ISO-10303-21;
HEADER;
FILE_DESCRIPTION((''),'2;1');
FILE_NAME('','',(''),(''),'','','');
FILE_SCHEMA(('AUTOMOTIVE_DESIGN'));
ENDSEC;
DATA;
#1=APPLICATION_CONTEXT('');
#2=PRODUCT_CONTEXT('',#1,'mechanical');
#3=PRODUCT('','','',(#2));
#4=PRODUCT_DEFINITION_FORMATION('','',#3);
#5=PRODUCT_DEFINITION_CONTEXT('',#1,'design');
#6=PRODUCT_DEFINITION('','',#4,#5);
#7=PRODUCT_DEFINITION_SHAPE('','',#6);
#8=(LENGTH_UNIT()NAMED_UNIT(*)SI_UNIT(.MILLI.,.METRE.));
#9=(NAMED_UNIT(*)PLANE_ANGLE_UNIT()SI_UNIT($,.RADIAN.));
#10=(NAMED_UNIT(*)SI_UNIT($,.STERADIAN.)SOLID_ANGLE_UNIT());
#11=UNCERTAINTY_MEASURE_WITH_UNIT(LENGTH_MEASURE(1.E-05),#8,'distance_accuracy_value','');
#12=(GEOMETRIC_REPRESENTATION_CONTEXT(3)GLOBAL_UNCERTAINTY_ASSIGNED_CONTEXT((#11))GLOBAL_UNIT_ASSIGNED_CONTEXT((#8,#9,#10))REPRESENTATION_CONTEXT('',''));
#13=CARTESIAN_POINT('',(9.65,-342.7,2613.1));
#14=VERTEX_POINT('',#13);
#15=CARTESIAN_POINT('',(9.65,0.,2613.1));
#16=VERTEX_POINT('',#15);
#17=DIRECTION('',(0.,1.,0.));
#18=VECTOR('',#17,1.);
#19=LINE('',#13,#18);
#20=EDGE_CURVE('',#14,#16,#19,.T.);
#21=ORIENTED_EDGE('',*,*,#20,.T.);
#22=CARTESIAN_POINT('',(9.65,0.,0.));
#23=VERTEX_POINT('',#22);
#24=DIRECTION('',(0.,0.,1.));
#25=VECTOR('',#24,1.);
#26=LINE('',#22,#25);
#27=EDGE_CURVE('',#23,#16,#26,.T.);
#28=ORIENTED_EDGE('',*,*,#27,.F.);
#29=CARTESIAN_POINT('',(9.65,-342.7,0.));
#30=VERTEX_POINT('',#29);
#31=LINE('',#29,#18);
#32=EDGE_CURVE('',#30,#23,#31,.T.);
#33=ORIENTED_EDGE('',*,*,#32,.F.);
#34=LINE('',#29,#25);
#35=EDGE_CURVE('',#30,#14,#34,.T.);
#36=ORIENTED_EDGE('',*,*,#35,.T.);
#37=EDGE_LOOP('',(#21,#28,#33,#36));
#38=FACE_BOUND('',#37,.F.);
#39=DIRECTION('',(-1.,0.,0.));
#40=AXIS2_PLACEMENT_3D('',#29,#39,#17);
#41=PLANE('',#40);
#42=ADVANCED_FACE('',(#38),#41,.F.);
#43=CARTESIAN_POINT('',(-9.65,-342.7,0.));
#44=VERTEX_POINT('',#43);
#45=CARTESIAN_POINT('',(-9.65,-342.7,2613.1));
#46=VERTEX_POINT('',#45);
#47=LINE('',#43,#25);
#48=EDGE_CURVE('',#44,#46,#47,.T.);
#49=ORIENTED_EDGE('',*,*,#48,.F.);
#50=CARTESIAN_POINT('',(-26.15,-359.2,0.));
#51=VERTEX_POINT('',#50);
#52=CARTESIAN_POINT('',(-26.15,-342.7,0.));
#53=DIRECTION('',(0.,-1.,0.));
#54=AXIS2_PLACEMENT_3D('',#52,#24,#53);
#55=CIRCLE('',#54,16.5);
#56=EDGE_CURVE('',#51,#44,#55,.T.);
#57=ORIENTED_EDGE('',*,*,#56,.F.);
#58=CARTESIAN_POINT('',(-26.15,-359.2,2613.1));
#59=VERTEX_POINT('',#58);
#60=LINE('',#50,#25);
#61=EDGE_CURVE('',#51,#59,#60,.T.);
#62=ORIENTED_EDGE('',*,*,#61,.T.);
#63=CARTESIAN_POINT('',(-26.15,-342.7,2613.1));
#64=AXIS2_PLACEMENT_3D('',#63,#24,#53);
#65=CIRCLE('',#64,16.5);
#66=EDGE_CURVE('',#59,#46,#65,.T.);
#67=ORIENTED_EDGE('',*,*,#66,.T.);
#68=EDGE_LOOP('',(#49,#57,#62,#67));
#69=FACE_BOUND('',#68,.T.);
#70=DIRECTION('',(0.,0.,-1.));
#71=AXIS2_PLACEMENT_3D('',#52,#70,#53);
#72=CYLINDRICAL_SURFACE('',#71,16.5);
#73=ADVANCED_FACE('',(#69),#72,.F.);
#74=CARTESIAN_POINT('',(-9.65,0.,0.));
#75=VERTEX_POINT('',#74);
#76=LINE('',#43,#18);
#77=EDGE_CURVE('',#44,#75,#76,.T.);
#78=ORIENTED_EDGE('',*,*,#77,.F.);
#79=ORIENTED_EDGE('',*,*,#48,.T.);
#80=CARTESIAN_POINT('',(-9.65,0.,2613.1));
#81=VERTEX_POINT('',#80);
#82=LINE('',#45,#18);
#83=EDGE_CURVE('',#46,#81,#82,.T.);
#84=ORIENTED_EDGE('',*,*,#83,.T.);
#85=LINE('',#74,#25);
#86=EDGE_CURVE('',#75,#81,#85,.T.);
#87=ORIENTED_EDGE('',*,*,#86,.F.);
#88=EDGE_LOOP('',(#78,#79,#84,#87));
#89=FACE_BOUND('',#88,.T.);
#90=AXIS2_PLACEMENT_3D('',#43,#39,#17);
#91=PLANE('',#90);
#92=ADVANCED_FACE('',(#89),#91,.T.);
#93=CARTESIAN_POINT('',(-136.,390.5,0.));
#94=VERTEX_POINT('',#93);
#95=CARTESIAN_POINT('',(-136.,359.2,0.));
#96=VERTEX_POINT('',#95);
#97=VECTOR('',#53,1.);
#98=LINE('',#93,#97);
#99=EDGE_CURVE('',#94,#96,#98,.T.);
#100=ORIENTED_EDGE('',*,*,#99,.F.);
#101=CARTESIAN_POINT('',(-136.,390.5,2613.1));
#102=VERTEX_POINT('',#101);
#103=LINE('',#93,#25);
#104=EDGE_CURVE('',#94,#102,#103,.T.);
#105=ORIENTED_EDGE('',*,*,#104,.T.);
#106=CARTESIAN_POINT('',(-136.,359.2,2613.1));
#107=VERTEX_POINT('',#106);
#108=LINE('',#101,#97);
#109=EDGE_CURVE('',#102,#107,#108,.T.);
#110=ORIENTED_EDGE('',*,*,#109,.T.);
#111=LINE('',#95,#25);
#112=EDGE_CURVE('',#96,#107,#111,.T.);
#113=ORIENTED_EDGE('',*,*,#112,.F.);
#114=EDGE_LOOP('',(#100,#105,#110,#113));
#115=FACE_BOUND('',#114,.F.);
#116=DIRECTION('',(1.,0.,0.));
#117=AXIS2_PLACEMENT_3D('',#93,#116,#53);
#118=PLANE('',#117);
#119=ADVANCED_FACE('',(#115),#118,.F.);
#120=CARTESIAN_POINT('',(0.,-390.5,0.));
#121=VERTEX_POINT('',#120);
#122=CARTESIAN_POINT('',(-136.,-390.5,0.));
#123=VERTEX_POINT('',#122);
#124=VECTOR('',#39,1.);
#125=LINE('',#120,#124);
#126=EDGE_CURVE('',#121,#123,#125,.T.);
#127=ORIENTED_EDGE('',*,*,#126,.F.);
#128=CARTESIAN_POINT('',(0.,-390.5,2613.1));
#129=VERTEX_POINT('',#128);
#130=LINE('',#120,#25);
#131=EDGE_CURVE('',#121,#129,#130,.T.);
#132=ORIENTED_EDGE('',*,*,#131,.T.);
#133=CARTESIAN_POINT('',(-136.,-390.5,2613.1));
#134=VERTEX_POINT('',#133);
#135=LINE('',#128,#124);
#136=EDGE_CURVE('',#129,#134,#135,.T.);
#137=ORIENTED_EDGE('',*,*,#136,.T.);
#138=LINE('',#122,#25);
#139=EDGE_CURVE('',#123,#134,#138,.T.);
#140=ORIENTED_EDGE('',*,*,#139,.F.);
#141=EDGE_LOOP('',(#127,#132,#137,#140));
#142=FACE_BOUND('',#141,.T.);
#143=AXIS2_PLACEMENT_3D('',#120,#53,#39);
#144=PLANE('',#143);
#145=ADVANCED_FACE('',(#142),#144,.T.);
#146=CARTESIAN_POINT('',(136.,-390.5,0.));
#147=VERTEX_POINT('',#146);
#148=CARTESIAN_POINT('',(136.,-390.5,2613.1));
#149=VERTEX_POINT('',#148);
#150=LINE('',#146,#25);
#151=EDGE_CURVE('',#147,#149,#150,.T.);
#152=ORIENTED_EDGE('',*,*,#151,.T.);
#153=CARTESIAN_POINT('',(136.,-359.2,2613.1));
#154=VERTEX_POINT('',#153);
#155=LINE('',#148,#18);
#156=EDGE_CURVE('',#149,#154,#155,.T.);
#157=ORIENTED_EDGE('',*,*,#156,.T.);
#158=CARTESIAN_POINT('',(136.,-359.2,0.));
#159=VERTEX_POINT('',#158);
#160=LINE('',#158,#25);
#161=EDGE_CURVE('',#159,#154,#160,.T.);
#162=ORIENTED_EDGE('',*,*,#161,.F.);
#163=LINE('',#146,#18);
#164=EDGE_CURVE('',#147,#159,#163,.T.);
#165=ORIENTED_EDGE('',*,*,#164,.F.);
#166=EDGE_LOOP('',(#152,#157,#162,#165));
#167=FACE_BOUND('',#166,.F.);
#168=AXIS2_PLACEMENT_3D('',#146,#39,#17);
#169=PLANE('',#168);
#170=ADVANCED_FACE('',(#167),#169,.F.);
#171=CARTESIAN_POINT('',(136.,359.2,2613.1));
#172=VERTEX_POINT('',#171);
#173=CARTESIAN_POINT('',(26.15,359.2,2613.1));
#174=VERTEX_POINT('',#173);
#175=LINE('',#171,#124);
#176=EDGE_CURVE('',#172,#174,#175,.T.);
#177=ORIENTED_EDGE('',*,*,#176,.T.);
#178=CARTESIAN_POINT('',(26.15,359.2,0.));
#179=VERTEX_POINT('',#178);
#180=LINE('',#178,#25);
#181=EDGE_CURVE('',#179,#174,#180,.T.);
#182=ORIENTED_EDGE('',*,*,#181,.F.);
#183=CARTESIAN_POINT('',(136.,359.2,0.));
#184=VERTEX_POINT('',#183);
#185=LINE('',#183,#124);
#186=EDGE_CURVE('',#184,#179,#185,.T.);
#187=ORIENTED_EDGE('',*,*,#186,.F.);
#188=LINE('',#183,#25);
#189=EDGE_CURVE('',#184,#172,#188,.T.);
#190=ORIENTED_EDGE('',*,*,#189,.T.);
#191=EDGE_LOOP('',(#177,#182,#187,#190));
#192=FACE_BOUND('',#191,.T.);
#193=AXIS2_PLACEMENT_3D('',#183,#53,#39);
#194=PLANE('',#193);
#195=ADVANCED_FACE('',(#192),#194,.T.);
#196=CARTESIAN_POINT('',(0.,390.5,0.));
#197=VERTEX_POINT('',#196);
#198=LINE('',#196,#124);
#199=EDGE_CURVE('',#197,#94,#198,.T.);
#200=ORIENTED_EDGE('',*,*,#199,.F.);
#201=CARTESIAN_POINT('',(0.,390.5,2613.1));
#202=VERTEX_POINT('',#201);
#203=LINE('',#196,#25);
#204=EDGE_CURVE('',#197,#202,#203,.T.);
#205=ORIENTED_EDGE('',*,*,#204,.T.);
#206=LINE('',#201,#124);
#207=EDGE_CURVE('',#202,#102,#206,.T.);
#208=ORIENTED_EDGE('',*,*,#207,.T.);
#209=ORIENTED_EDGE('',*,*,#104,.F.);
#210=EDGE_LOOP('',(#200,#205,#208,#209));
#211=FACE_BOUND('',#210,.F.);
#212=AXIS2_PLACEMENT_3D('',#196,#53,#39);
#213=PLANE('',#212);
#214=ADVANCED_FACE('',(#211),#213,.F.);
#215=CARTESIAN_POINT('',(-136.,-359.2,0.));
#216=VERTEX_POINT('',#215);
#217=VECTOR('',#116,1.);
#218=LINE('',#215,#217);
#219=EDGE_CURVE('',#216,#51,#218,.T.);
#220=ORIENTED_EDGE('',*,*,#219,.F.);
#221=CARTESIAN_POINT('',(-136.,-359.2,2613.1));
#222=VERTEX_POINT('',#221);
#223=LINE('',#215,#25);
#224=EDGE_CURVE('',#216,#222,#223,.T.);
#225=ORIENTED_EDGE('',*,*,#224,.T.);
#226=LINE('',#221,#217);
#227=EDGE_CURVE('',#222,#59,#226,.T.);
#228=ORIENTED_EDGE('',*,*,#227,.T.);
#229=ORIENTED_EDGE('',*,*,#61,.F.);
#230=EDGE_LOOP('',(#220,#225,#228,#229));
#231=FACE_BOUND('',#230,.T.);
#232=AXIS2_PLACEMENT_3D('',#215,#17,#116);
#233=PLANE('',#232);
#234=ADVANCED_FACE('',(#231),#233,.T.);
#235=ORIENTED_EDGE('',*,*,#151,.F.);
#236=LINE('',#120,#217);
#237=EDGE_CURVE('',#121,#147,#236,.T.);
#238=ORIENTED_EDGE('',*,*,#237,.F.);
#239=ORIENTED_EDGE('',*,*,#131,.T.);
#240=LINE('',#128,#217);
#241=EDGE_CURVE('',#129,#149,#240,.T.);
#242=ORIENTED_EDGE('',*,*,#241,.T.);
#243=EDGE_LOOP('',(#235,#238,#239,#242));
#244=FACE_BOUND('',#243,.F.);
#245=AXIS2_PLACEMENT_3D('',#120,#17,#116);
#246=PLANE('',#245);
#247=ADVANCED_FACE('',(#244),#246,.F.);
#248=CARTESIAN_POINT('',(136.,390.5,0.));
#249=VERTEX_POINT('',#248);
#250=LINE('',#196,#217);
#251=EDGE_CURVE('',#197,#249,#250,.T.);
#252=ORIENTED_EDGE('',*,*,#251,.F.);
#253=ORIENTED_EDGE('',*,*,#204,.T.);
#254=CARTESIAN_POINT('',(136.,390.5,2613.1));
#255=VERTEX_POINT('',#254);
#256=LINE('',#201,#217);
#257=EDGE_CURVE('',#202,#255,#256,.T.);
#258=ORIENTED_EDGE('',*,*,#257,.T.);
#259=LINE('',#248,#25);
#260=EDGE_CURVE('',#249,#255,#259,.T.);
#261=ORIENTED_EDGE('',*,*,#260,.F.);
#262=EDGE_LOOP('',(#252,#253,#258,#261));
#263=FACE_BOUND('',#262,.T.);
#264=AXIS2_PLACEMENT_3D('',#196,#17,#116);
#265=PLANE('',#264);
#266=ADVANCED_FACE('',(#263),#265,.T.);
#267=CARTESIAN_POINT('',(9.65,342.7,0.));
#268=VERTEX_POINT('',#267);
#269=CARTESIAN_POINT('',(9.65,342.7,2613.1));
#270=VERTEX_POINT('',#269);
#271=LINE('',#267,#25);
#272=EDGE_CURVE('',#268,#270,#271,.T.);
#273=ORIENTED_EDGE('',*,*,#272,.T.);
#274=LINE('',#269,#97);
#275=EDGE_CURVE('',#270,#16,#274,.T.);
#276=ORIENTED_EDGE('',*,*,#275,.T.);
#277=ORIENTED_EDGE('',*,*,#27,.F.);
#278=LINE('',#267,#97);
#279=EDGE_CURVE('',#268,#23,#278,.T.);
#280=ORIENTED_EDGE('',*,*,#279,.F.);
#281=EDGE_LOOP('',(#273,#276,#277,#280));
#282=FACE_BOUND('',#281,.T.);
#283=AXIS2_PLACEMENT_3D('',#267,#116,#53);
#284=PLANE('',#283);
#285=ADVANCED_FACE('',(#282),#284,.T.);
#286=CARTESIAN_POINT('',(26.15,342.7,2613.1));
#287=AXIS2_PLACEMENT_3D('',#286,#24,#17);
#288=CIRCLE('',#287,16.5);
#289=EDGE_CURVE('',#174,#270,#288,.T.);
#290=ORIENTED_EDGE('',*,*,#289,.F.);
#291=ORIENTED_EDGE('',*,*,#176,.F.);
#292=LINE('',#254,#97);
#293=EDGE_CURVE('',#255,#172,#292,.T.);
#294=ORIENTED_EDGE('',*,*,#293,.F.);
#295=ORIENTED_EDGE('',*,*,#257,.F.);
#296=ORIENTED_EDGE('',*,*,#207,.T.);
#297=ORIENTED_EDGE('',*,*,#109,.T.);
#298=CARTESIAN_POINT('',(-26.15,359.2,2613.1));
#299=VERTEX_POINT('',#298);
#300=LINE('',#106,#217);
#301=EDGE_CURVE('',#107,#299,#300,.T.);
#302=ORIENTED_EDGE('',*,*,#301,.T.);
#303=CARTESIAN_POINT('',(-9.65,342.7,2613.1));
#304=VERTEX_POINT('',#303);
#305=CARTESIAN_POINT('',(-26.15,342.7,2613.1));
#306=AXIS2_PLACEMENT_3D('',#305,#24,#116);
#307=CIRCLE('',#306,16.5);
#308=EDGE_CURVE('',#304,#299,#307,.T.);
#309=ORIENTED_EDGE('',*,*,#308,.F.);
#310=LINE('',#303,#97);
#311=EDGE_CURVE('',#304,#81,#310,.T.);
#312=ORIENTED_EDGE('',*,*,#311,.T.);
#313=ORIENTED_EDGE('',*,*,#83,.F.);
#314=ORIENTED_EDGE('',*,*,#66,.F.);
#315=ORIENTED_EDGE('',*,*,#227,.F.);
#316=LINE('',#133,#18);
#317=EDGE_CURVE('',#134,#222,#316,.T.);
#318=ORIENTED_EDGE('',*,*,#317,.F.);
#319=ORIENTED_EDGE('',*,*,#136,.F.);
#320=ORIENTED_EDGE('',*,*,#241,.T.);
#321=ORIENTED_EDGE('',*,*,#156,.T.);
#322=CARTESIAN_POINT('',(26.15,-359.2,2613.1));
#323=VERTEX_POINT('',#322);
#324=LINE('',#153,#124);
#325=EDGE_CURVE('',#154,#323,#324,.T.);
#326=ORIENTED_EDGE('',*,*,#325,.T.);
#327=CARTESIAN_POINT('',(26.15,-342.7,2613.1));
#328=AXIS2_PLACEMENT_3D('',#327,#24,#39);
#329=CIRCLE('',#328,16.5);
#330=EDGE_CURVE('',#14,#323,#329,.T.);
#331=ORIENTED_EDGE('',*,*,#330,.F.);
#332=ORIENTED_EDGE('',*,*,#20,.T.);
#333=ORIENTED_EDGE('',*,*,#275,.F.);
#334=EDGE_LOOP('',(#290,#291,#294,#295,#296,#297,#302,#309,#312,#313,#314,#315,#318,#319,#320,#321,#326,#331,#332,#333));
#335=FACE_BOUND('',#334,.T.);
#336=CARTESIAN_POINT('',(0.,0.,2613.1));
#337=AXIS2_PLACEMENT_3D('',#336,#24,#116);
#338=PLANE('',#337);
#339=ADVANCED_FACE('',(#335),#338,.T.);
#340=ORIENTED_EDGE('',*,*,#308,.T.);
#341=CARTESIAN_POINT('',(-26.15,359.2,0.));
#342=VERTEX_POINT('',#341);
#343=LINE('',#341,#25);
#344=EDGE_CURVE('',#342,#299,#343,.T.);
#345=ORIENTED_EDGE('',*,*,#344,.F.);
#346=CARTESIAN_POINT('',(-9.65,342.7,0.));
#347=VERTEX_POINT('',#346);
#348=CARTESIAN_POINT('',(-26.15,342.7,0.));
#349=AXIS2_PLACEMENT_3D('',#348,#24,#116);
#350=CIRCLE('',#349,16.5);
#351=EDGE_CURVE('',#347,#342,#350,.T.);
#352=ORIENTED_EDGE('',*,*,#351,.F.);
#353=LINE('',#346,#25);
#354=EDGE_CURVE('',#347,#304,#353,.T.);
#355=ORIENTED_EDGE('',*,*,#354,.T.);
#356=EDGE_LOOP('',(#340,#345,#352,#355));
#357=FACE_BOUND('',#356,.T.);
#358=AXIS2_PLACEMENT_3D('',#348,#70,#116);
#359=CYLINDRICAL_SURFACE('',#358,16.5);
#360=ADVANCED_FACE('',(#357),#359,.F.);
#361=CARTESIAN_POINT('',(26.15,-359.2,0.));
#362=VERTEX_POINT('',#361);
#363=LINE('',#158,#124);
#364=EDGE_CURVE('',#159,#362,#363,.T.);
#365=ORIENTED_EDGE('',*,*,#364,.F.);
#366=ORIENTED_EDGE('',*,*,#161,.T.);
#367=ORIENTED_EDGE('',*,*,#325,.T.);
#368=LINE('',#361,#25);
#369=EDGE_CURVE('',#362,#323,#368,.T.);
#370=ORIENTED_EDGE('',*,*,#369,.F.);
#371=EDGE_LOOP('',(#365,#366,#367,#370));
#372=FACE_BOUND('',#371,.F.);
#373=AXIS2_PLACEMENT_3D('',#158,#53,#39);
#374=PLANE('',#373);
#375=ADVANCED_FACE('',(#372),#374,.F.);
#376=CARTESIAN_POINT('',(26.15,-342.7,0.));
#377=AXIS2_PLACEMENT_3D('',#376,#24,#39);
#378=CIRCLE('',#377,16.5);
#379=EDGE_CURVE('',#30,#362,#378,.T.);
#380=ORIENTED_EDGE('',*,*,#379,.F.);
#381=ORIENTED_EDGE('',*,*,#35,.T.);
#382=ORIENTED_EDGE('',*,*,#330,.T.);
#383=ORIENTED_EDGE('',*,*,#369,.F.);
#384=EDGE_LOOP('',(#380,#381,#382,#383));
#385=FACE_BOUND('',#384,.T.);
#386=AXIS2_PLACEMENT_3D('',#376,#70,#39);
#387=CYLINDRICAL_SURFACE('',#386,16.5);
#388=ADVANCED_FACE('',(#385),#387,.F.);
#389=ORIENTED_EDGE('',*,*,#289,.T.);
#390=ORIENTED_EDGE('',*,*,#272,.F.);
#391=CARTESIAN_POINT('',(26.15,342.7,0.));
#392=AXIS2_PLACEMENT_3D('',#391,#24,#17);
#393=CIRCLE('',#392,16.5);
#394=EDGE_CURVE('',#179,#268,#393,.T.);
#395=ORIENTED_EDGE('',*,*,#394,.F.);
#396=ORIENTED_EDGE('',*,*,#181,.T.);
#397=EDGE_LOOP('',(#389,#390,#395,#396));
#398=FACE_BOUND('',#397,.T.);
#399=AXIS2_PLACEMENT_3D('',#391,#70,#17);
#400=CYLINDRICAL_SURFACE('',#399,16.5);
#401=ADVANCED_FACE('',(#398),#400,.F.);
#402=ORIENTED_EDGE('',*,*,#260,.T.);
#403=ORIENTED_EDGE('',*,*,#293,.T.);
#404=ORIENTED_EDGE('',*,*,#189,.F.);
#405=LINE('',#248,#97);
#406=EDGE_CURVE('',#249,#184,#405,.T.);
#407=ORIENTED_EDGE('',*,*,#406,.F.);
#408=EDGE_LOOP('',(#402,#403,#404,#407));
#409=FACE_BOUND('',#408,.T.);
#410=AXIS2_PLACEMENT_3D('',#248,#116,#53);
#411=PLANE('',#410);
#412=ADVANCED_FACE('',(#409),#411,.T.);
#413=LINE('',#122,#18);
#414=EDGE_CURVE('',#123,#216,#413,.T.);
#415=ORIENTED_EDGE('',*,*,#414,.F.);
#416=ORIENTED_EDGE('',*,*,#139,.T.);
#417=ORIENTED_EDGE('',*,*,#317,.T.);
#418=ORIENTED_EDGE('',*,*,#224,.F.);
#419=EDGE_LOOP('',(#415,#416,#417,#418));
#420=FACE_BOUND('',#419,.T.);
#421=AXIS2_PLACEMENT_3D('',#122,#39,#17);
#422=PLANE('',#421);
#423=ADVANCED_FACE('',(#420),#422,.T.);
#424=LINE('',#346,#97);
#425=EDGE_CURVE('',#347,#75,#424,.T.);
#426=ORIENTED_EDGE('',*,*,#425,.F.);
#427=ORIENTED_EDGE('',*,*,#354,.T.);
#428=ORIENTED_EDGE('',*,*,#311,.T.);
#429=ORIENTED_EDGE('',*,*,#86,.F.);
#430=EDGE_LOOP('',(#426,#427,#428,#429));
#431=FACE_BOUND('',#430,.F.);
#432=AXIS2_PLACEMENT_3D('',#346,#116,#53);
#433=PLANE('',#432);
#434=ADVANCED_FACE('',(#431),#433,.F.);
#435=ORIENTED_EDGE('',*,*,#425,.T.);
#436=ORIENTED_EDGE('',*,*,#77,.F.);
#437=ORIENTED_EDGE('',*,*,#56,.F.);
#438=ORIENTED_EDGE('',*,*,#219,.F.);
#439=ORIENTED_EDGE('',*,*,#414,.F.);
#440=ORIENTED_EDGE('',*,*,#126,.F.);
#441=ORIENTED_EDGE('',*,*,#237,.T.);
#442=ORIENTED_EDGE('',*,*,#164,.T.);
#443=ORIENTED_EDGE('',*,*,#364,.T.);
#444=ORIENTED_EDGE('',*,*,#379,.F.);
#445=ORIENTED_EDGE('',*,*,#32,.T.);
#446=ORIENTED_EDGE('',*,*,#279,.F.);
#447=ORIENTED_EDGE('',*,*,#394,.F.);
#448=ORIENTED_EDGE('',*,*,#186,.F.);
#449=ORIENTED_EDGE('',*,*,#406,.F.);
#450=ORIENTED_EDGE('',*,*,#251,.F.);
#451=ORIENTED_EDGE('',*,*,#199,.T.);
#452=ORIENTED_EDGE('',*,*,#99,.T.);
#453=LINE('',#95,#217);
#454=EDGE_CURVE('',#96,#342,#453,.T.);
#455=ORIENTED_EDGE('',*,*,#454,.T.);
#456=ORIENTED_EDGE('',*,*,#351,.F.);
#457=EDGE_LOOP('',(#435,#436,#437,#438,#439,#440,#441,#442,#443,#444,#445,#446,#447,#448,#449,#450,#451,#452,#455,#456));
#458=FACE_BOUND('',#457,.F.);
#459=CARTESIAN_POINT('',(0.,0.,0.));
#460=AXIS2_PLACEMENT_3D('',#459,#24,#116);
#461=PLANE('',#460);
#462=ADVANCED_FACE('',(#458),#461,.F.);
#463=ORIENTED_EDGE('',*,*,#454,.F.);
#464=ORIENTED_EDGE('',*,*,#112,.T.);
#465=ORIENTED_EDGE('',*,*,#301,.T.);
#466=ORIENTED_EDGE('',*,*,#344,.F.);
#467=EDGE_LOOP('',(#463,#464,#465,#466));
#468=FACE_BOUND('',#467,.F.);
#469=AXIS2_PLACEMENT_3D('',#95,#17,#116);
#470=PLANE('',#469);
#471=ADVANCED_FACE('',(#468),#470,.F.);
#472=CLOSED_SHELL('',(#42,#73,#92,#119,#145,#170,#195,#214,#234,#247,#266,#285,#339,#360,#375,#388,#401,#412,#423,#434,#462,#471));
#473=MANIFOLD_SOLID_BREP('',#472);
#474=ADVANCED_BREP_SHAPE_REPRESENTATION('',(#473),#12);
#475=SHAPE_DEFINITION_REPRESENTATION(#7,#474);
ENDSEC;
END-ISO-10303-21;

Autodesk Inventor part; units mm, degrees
ref_plane "YZ Plane" through (0, 0, 0) normal (1, 0, 0) x (0, 1, 0)
ref_plane "Start plane" through (0, 0, 0) normal (0, 0, 1) x (1, 0, 0)
ref_plane "End plane" through (0, 0, 2613.1) normal (0, 0, 1) x (1, 0, 0)
sketch "Sketch" plane through (0, 0, 0) normal (0, 0, 1) x (1, 0, 0)
  line L0 (-136, -390.5) -> (-136, -359.2)
  line L1 (-136, -359.2) -> (-26.15, -359.2)
  line L2 (-9.65, -342.7) -> (-9.65, 0)
  line L3 (-9.65, 0) -> (0, 0) construction
  line L4 (0, 0) -> (0, -390.5) construction
  line L5 (0, -390.5) -> (-136, -390.5)
  line L6 (-60, 0) -> (80, 0) construction
  line L7 (0, -60) -> (0, 80) construction
  line L8 (136, -390.5) -> (136, -359.2)
  line L9 (136, -359.2) -> (26.15, -359.2)
  line L10 (9.65, -342.7) -> (9.65, 0)
  line L11 (9.65, 0) -> (0, 0) construction
  line L12 (0, -390.5) -> (136, -390.5)
  line L13 (-136, 390.5) -> (-136, 359.2)
  line L14 (-136, 359.2) -> (-26.15, 359.2)
  line L15 (-9.65, 342.7) -> (-9.65, 0)
  line L16 (0, 390.5) -> (-136, 390.5)
  line L17 (136, 390.5) -> (136, 359.2)
  line L18 (136, 359.2) -> (26.15, 359.2)
  line L19 (0, 390.5) -> (136, 390.5)
  line L20 (9.65, 342.7) -> (9.65, 0)
  arc A0 (-9.65, 342.7) -> (-26.15, 359.2) centre (-26.15, 342.7) ccw
  arc A1 (26.15, 359.2) -> (9.65, 342.7) centre (26.15, 342.7) ccw
  arc A2 (9.65, -342.7) -> (26.15, -359.2) centre (26.15, -342.7) ccw
  arc A3 (-26.15, -359.2) -> (-9.65, -342.7) centre (-26.15, -342.7) ccw
  line L21 (0, 108) -> (0, -88) construction
  line L22 (-88, 0) -> (108, 0) construction
  point P0 (-9.65, -359.2)
  point P1 (9.65, -359.2)
  point P2 (-9.65, 359.2)
  point P3 (9.65, 359.2)
  dimension "d1" = 390.5
  dimension "d2" = 31.3
  dimension "d3" = 136
  dimension "d4" = 9.65
  dimension "d10" = 16.5
extrude "Body" add sketch "Sketch" along normal up to surface (2613.1 mm away) from surface at 0
sketch "Sketch4" plane through (0, 0, 0) normal (0, 0, 1) x (1, 0, 0)
  line L0 (0, 0) -> (10, 0)
ref_plane "Work Plane3" through (0, 0, 0) normal (0, -1, 0) x (1, 0, 0)
sketch "Sketch5" plane through (0, 0, 0) normal (0, -1, 0) x (1, 0, 0)
  line L0 (-2, 0) -> (12, 0) projected
  line L1 (-2, 2613.1) -> (12, 2613.1) projected
  dimension "d14" = 2613.1
equation "\"d1\" = 0.5 * G_H"
equation "\"d2\" = G_T1"
equation "\"d3\" = 0.5 * G_W"
equation "\"d4\" = 0.5 * G_T"
equation "\"d10\" = G_IR"
equation "\"d5\" = G_L"
equation "\"G_W\" = 272"
equation "\"G_H\" = 781"
equation "\"G_T\" = 19.3"
equation "\"G_T1\" = 31.3"
equation "\"G_IR\" = 16.5"
equation "\"G_L\" = d14"
equation "\"G_OFFSET_START\" = 0"
equation "\"G_OFFSET_END\" = 0"
equation "\"d12\" = G_OFFSET_END + B_L"
equation "\"B_L\" = 2613.1"
properties part number "AS 3679-1990 - 760 UB - 244 - 2613.1" material "Steel, Mild"
